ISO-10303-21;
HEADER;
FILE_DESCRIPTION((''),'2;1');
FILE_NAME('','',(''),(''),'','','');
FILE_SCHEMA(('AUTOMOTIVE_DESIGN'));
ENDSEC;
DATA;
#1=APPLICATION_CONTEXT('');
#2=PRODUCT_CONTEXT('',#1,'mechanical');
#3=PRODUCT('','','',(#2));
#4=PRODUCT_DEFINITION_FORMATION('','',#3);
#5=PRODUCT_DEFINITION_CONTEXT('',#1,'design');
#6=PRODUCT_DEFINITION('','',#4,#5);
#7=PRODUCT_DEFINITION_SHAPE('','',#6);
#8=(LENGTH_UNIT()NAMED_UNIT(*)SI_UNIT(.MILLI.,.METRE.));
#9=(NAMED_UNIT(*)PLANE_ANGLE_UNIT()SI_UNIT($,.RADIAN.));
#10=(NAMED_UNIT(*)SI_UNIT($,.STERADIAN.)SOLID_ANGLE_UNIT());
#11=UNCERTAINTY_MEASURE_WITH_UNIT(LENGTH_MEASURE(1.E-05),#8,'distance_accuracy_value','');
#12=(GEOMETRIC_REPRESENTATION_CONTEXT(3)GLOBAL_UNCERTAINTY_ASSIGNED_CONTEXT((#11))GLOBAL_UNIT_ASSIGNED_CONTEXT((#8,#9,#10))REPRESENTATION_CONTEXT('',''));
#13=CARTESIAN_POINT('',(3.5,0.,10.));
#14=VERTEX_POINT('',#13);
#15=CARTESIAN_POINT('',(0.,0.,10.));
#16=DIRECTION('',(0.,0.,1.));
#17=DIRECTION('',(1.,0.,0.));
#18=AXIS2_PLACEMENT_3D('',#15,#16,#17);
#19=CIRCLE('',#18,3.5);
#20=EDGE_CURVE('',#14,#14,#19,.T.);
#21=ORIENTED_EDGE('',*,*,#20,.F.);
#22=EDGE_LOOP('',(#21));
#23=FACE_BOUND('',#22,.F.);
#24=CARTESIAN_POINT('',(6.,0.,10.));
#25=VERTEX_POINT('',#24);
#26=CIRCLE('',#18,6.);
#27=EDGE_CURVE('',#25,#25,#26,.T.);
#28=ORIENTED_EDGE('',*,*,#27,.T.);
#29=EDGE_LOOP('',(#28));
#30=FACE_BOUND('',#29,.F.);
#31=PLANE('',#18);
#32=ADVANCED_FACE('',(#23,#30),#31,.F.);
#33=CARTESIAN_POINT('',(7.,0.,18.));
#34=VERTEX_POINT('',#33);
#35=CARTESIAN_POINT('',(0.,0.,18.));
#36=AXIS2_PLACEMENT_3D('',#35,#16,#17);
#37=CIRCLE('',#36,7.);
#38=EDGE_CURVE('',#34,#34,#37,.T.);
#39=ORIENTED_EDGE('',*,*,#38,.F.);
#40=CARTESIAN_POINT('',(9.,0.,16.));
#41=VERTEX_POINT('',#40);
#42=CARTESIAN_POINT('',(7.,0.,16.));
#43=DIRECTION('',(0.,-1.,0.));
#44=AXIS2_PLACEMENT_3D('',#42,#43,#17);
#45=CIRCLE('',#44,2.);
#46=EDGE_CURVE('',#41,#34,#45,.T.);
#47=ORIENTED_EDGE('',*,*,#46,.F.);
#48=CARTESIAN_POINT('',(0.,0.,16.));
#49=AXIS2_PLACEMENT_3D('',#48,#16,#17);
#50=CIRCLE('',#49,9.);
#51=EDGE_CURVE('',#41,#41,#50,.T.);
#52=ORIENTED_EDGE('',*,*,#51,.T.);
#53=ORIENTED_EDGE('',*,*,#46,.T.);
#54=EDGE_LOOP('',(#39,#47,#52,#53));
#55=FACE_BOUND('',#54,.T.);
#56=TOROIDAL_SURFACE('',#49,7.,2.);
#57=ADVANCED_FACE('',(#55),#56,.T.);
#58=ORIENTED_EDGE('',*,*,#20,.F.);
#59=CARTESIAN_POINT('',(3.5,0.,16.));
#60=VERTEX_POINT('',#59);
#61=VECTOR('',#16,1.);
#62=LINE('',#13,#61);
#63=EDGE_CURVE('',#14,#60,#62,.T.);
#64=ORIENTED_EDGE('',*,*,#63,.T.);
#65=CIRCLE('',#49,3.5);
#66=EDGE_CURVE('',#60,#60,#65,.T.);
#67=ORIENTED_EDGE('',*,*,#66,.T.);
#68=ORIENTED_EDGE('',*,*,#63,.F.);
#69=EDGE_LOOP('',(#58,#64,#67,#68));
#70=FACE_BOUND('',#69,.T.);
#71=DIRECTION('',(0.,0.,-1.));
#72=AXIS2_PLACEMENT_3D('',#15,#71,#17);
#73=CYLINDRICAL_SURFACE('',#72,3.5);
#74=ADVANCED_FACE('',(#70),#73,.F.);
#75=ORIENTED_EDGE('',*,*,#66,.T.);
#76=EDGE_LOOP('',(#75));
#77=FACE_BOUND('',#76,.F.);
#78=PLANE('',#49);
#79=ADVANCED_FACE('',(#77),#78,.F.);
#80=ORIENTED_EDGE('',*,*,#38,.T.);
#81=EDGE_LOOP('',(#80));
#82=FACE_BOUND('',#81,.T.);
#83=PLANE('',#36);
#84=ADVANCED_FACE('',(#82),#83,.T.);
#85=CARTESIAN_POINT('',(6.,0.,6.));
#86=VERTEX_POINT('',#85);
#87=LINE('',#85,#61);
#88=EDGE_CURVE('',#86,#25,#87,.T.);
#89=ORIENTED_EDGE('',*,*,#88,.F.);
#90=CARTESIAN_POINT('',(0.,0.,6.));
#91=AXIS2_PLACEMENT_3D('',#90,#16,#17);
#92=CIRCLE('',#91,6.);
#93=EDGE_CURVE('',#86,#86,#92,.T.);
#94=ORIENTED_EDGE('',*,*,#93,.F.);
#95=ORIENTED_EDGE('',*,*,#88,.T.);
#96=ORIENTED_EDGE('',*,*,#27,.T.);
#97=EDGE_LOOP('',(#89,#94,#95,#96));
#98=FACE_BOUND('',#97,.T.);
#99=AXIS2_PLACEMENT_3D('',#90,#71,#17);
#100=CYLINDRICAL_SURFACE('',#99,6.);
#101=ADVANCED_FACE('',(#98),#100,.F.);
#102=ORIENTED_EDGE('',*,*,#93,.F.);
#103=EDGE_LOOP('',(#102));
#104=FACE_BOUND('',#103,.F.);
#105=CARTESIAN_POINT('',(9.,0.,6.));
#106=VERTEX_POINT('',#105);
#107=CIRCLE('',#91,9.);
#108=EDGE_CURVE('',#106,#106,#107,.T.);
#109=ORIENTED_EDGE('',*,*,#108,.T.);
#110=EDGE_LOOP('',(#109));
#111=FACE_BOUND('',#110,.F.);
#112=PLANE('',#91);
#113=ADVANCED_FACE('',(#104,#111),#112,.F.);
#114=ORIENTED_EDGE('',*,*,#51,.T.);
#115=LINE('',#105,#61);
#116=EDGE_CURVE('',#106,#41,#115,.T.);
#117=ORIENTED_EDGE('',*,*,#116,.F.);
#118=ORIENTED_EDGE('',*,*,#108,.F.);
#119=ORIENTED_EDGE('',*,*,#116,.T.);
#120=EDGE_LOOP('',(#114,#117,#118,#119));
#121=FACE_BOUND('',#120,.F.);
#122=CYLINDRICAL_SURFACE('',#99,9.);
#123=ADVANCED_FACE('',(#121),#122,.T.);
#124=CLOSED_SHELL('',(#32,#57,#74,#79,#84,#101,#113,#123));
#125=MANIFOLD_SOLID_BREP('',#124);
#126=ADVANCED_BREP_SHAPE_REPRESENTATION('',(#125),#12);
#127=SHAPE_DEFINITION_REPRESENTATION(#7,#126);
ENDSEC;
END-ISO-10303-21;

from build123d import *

# Parameters (mm, degrees)
CYLINDER021_R     = 3.5
CYLINDER021_DEPTH = 6
CYLINDER017_R     = 6
CYLINDER017_DEPTH = 4
CYLINDER015_R     = 9
CYLINDER015_DEPTH = 12
FILLET012_R       = 2


with BuildPart() as knob_cut003:
    # Cylinder021 → Cylinder021 (new body)
    with BuildSketch(Plane.XY.offset(10)):
        Circle(CYLINDER021_R)
    extrude(amount=CYLINDER021_DEPTH)


with BuildPart() as knob_cut001:
    # Cylinder017 → Cylinder017 (new body)
    with BuildSketch(Plane.XY.offset(6)):
        Circle(CYLINDER017_R)
    extrude(amount=CYLINDER017_DEPTH)


with BuildPart() as knob003:
    # Cylinder015 → Cylinder015 (new body)
    with BuildSketch(Plane.XY.offset(6)):
        Circle(CYLINDER015_R)
    extrude(amount=CYLINDER015_DEPTH)

    # Cut020: cut KNOB_cut001
    add(knob_cut001.part, mode=Mode.SUBTRACT)

    # Cut021: cut KNOB_cut003
    add(knob_cut003.part, mode=Mode.SUBTRACT)

    # Fillet012
    fillet012_edges = [knob003.edges().sort_by_distance(p)[0] for p in [
        (-9, 0, 18),
    ]]
    fillet(fillet012_edges, radius=FILLET012_R)


solid = knob003.part
